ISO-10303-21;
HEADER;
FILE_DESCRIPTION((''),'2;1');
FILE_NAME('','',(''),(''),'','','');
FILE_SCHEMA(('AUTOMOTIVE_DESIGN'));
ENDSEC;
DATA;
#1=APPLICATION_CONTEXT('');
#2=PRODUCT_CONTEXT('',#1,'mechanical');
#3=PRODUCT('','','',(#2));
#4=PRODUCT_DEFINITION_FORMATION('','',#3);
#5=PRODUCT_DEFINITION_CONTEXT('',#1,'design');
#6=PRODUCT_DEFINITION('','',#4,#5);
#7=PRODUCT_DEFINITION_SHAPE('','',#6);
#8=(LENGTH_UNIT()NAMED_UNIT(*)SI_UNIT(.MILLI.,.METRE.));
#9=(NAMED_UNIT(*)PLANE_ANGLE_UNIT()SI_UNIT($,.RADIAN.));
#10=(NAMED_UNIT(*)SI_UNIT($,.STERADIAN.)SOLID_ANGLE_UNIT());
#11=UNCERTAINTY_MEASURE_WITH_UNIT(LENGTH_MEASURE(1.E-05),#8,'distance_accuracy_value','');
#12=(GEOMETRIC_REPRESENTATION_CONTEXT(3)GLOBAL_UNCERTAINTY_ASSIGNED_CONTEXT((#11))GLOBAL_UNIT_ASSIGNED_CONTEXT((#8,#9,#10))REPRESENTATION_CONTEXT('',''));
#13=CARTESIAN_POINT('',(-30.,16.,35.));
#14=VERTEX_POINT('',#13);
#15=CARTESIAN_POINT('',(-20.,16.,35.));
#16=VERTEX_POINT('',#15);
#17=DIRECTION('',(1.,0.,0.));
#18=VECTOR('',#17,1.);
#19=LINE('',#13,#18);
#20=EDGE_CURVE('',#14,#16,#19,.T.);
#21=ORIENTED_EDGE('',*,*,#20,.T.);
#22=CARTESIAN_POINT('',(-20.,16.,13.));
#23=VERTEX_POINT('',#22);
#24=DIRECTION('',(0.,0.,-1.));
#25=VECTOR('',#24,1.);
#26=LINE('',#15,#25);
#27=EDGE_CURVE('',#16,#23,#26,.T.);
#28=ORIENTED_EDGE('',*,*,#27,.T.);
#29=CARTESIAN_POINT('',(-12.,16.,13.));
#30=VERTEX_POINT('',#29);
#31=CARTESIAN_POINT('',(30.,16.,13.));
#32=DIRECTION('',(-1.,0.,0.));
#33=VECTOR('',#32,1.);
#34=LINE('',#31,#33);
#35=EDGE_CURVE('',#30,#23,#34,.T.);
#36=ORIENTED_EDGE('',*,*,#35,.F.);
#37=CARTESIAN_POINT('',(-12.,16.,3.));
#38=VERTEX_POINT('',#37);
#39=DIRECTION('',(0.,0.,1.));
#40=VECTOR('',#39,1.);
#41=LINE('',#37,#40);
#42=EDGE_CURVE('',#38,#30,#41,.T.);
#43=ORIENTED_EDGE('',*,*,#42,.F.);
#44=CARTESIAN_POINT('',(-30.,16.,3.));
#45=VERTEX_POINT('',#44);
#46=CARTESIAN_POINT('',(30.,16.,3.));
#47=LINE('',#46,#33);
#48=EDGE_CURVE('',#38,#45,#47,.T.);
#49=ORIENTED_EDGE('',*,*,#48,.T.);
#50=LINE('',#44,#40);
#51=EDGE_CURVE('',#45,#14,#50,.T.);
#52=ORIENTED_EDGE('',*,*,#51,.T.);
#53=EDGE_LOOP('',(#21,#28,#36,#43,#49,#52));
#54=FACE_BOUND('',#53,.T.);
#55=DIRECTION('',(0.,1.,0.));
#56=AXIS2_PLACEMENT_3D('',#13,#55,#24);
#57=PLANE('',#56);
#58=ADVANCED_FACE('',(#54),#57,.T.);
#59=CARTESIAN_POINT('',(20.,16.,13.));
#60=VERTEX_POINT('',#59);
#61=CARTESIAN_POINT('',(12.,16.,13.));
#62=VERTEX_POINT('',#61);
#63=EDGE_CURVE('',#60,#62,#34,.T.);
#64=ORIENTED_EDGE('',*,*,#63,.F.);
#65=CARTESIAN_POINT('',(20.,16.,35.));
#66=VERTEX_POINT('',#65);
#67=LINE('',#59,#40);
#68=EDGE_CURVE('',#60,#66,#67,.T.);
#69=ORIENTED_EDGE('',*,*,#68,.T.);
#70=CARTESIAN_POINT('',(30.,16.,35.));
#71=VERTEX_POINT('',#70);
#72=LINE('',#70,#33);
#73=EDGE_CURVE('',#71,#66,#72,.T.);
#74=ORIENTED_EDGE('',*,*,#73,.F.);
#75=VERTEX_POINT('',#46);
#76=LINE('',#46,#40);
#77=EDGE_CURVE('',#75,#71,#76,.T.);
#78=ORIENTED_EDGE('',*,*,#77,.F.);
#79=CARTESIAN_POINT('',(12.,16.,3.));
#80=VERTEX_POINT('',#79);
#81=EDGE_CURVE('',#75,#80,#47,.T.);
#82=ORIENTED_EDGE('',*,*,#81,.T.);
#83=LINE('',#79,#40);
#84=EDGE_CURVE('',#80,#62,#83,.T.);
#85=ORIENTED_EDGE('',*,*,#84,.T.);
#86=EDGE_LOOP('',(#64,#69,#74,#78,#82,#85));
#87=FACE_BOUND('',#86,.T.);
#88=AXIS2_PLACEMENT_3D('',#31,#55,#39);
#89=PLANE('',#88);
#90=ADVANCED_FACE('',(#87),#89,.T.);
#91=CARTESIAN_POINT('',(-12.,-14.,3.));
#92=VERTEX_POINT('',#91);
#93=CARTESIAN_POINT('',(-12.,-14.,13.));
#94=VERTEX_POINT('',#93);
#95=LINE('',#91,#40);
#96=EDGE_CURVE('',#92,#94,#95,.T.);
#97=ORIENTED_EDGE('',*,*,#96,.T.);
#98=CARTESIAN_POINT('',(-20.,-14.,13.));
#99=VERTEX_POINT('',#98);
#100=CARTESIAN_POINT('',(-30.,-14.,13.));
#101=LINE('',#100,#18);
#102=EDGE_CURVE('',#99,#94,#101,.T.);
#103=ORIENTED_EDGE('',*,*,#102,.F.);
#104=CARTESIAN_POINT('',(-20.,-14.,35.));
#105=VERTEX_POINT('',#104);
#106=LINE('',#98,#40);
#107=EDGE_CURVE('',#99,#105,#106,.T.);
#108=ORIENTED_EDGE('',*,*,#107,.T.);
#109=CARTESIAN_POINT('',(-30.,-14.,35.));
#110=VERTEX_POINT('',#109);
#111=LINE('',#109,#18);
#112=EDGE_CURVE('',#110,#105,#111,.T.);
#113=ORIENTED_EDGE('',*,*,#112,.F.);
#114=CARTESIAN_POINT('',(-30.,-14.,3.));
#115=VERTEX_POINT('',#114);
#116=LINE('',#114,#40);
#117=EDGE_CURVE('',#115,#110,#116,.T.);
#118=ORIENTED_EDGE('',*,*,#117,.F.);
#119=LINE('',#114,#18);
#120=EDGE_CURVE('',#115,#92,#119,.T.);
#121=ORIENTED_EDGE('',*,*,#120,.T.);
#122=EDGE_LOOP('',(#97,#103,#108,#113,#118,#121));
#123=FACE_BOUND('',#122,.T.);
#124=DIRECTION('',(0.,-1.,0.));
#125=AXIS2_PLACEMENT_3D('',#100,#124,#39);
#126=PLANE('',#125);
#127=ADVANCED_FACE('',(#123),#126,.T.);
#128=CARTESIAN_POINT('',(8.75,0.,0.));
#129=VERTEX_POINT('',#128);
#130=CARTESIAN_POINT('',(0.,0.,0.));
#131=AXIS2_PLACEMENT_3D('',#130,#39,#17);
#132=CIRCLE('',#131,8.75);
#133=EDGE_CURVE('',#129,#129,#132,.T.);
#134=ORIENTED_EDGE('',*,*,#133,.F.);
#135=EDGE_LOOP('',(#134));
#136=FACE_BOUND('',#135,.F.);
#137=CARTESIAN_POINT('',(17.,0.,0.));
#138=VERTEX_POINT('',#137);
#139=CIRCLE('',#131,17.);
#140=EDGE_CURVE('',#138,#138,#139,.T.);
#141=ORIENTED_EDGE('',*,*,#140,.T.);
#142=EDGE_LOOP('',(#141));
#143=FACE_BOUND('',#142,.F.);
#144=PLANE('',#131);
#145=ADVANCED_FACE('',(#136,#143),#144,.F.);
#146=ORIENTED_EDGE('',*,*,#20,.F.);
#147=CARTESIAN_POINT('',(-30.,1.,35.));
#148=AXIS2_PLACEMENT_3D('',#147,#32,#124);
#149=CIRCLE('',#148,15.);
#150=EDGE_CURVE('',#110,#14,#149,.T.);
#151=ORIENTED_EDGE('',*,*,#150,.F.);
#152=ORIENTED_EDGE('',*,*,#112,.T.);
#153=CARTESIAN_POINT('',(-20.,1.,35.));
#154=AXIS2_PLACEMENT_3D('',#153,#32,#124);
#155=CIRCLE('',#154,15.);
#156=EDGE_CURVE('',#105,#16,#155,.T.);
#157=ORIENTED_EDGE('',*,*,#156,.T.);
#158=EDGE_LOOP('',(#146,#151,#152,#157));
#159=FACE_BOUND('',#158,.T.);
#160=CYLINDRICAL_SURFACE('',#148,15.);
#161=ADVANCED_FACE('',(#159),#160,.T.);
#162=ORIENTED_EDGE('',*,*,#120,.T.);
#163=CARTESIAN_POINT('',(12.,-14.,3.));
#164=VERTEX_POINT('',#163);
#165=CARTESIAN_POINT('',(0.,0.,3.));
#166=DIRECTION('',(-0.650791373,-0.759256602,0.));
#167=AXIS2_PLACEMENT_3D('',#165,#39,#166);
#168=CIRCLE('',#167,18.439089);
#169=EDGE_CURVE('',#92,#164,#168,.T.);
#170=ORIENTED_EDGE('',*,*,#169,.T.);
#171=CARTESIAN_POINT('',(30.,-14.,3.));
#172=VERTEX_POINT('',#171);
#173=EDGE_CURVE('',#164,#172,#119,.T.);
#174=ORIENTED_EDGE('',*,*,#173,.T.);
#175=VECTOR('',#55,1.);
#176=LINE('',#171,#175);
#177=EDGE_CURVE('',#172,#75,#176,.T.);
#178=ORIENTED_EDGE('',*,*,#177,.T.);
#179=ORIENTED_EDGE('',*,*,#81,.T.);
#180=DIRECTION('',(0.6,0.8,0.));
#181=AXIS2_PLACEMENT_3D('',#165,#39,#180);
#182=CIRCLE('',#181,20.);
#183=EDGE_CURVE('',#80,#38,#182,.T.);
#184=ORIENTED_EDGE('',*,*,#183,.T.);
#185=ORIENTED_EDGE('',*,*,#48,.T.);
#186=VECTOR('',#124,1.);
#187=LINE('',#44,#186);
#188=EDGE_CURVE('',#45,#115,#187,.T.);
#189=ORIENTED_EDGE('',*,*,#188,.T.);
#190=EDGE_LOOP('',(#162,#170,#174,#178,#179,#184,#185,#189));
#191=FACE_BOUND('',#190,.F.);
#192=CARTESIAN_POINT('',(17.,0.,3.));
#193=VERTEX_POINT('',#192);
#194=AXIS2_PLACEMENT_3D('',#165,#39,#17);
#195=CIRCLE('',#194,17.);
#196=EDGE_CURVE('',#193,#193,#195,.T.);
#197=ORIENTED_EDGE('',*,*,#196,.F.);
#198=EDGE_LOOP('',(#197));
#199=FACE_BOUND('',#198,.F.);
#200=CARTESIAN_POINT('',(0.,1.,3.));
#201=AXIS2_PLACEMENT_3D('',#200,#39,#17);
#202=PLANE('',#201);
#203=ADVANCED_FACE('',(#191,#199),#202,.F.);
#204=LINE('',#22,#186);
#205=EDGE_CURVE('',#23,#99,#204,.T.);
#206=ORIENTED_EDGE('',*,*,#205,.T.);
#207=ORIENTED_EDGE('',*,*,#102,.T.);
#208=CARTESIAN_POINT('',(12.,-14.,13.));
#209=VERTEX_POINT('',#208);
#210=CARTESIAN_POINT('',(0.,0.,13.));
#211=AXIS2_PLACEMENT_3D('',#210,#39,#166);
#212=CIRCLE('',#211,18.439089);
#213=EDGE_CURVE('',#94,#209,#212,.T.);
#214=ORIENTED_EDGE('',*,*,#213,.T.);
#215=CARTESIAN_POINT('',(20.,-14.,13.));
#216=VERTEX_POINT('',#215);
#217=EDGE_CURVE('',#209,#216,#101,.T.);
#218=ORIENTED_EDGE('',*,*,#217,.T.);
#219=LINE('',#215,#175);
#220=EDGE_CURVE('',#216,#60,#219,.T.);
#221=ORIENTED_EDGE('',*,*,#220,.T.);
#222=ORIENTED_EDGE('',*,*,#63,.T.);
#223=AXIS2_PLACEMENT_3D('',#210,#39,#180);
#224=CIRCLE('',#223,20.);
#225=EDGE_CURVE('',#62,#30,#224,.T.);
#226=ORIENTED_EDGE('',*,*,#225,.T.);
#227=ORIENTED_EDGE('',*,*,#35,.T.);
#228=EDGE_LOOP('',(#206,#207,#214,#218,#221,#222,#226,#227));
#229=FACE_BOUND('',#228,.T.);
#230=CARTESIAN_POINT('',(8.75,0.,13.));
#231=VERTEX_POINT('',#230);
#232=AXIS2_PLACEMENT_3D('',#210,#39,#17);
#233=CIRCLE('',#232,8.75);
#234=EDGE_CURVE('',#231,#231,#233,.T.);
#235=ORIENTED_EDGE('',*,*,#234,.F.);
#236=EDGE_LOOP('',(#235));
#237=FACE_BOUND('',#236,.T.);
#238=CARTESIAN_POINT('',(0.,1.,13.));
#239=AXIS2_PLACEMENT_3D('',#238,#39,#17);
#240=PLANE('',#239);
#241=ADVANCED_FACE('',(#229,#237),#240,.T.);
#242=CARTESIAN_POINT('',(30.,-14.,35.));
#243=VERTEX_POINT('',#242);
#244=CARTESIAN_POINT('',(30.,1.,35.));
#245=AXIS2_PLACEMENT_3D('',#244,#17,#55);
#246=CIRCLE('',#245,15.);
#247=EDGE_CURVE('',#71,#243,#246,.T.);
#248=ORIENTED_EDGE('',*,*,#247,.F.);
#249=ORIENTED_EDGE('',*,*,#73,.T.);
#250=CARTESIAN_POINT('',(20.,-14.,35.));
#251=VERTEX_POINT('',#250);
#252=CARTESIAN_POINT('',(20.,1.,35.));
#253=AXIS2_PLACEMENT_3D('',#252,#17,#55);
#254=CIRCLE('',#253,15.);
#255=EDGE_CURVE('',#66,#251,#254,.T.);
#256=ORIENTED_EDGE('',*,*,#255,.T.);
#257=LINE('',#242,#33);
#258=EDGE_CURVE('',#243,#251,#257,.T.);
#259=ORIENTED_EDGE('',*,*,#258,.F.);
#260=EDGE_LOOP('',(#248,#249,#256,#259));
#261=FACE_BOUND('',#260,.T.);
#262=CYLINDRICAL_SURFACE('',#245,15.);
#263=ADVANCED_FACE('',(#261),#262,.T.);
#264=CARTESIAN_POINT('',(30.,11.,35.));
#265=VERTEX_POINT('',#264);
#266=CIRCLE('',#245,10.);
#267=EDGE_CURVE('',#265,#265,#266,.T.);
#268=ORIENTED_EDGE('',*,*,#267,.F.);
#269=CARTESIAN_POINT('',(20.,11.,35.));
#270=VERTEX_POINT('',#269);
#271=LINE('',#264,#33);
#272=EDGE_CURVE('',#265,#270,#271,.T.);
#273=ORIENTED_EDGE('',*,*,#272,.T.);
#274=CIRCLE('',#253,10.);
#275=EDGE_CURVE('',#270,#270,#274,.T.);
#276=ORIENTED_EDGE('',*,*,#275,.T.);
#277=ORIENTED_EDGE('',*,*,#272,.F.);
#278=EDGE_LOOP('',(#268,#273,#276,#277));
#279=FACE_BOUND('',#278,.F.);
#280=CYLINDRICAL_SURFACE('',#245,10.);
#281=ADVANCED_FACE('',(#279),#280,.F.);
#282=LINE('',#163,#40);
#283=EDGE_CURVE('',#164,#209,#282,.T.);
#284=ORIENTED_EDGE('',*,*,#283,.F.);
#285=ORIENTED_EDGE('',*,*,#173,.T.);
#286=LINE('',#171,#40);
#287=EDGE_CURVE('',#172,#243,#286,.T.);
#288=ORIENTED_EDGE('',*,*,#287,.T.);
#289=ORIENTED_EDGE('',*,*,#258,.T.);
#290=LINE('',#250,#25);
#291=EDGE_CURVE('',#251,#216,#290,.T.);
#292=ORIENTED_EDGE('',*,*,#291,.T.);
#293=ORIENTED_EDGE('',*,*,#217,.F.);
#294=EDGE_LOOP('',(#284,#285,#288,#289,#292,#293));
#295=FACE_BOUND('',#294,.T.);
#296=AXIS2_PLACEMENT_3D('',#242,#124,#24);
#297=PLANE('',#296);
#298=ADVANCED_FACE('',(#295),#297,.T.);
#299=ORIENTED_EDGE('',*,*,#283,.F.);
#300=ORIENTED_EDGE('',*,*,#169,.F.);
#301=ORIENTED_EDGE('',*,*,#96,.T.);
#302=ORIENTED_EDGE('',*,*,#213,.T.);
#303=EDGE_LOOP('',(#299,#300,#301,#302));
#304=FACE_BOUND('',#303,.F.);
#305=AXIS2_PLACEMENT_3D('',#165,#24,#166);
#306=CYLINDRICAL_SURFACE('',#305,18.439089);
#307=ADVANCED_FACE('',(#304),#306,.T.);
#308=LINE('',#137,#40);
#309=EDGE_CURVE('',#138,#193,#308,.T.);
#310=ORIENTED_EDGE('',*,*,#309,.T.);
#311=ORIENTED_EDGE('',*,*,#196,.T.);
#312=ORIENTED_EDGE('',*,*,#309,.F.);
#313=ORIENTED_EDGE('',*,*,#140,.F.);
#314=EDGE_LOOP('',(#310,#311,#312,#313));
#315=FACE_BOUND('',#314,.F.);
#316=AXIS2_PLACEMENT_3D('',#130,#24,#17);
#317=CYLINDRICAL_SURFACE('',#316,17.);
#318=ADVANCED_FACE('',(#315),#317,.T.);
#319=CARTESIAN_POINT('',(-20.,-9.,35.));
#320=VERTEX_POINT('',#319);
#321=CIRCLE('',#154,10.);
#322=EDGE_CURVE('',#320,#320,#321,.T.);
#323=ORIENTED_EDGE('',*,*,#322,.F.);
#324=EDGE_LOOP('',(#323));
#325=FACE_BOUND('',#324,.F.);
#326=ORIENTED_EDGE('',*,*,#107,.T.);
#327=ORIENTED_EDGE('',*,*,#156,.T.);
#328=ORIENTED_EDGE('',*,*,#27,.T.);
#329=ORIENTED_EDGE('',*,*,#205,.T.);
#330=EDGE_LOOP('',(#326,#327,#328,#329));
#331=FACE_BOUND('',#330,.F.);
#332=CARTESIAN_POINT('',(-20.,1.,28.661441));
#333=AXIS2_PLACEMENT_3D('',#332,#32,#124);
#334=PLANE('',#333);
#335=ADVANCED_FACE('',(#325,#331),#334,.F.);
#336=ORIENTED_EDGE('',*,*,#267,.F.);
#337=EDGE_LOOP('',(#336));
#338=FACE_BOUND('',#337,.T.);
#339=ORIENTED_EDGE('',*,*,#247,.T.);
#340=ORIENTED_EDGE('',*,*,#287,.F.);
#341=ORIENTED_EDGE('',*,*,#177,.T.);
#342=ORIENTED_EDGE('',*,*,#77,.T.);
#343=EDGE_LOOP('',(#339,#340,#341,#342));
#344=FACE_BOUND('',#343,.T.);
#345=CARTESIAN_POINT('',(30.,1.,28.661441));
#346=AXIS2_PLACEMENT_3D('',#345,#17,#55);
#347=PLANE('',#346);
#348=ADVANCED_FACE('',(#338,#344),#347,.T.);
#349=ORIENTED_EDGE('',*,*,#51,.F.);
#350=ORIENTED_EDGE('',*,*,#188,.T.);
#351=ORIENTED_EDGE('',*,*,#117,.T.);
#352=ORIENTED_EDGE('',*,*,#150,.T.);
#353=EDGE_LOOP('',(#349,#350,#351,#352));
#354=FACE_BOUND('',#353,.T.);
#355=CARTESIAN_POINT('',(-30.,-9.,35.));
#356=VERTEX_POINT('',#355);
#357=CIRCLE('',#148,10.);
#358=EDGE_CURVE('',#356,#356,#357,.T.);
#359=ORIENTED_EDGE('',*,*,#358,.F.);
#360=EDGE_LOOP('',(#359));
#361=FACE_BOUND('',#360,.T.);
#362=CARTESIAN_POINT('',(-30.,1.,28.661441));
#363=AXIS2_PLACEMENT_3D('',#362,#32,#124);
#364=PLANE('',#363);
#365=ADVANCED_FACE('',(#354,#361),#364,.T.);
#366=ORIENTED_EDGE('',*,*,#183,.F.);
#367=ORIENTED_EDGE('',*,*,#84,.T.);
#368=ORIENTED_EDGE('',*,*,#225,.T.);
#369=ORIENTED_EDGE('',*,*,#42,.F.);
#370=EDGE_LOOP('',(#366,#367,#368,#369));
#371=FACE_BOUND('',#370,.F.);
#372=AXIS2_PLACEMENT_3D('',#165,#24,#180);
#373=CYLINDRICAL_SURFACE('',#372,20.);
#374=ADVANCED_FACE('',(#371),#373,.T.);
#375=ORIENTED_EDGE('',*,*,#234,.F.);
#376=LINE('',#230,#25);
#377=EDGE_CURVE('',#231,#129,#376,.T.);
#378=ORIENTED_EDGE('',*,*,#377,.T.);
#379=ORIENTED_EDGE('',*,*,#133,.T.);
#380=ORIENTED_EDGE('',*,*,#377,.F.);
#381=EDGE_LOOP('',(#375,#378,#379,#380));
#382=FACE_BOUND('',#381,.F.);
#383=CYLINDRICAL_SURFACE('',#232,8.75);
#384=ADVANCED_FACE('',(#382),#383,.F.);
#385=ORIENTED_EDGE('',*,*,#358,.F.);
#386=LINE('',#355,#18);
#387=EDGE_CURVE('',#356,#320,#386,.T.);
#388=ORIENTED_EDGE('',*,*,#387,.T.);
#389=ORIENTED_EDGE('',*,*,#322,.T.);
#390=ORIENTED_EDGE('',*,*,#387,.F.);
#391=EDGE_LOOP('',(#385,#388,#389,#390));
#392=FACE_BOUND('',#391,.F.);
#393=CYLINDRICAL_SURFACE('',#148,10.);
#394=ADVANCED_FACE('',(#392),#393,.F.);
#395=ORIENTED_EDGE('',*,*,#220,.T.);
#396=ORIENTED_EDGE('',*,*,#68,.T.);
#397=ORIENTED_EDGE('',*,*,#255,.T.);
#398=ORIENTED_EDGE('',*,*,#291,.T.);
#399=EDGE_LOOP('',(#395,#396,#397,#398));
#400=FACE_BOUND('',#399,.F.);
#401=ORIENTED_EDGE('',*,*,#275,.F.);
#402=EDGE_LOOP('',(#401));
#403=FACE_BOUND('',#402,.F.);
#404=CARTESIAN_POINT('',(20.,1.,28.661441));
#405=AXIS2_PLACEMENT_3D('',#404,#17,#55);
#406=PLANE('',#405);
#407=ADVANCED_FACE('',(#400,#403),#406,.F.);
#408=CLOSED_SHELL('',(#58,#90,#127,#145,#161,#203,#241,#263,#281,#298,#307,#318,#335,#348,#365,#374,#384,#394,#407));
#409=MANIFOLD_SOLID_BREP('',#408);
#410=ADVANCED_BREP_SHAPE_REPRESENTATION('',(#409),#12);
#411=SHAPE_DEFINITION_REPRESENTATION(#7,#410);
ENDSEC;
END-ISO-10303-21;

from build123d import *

# Parameters (mm, degrees)
F0_R     = 17
F1_DEPTH = 3
F3_DEPTH = 10
F4_R     = 10
F5_DEPTH = 10
F6_R     = 10
F7_DEPTH = 10
F8_R     = 8.75
F9_DEPTH = 13.001


with BuildPart() as f1:
    # F0 (on Top) → F1 (new body)
    with BuildSketch(Plane.XY):
        Circle(F0_R)
    extrude(amount=F1_DEPTH)

    # F2 (on face) → F3 (join)
    with BuildSketch(Plane.XY.offset(3)):
        Polygon((-12, 16), (-30, 16), (-30, -14), (-12, -14), (12, -14), (30, -14), (30, 16), (12, 16), align=None)
        with BuildLine():
            ThreePointArc((12, 16), (0, 20), (-12, 16))
            Line((-12, 16), (12, 16))
        make_face()
        with BuildLine():
            Line((12, -14), (-12, -14))
            ThreePointArc((-12, -14), (0, -18.4390889146), (12, -14))
        make_face()
    extrude(amount=F3_DEPTH)

    # F4 (on face) → F5 (join)
    with BuildSketch(Plane.YZ.offset(30)):
        with BuildLine():
            Line((-14, 35), (-14, 13))
            Line((-14, 13), (16, 13))
            Line((16, 13), (16, 35))
            ThreePointArc((16, 35), (1, 50), (-14, 35))
        make_face()
        with Locations((1, 35)):
            Circle(F4_R, mode=Mode.SUBTRACT)
    extrude(amount=-F5_DEPTH)

    # F6 (on face) → F7 (join)
    with BuildSketch(Plane(origin=(-30, 0, 0), x_dir=(0, -1, 0), z_dir=(-1, 0, 0))):
        with BuildLine():
            Line((-16, 35), (-16, 13))
            Line((-16, 13), (14, 13))
            Line((14, 13), (14, 35))
            ThreePointArc((14, 35), (-1, 50), (-16, 35))
        make_face()
        with Locations((-1, 35)):
            Circle(F6_R, mode=Mode.SUBTRACT)
    extrude(amount=-F7_DEPTH)

    # F8 (on face) → F9 (cut, through all)
    with BuildSketch(Plane.XY.offset(13)):
        Circle(F8_R)
    extrude(amount=-F9_DEPTH, mode=Mode.SUBTRACT)


solid = f1.part
